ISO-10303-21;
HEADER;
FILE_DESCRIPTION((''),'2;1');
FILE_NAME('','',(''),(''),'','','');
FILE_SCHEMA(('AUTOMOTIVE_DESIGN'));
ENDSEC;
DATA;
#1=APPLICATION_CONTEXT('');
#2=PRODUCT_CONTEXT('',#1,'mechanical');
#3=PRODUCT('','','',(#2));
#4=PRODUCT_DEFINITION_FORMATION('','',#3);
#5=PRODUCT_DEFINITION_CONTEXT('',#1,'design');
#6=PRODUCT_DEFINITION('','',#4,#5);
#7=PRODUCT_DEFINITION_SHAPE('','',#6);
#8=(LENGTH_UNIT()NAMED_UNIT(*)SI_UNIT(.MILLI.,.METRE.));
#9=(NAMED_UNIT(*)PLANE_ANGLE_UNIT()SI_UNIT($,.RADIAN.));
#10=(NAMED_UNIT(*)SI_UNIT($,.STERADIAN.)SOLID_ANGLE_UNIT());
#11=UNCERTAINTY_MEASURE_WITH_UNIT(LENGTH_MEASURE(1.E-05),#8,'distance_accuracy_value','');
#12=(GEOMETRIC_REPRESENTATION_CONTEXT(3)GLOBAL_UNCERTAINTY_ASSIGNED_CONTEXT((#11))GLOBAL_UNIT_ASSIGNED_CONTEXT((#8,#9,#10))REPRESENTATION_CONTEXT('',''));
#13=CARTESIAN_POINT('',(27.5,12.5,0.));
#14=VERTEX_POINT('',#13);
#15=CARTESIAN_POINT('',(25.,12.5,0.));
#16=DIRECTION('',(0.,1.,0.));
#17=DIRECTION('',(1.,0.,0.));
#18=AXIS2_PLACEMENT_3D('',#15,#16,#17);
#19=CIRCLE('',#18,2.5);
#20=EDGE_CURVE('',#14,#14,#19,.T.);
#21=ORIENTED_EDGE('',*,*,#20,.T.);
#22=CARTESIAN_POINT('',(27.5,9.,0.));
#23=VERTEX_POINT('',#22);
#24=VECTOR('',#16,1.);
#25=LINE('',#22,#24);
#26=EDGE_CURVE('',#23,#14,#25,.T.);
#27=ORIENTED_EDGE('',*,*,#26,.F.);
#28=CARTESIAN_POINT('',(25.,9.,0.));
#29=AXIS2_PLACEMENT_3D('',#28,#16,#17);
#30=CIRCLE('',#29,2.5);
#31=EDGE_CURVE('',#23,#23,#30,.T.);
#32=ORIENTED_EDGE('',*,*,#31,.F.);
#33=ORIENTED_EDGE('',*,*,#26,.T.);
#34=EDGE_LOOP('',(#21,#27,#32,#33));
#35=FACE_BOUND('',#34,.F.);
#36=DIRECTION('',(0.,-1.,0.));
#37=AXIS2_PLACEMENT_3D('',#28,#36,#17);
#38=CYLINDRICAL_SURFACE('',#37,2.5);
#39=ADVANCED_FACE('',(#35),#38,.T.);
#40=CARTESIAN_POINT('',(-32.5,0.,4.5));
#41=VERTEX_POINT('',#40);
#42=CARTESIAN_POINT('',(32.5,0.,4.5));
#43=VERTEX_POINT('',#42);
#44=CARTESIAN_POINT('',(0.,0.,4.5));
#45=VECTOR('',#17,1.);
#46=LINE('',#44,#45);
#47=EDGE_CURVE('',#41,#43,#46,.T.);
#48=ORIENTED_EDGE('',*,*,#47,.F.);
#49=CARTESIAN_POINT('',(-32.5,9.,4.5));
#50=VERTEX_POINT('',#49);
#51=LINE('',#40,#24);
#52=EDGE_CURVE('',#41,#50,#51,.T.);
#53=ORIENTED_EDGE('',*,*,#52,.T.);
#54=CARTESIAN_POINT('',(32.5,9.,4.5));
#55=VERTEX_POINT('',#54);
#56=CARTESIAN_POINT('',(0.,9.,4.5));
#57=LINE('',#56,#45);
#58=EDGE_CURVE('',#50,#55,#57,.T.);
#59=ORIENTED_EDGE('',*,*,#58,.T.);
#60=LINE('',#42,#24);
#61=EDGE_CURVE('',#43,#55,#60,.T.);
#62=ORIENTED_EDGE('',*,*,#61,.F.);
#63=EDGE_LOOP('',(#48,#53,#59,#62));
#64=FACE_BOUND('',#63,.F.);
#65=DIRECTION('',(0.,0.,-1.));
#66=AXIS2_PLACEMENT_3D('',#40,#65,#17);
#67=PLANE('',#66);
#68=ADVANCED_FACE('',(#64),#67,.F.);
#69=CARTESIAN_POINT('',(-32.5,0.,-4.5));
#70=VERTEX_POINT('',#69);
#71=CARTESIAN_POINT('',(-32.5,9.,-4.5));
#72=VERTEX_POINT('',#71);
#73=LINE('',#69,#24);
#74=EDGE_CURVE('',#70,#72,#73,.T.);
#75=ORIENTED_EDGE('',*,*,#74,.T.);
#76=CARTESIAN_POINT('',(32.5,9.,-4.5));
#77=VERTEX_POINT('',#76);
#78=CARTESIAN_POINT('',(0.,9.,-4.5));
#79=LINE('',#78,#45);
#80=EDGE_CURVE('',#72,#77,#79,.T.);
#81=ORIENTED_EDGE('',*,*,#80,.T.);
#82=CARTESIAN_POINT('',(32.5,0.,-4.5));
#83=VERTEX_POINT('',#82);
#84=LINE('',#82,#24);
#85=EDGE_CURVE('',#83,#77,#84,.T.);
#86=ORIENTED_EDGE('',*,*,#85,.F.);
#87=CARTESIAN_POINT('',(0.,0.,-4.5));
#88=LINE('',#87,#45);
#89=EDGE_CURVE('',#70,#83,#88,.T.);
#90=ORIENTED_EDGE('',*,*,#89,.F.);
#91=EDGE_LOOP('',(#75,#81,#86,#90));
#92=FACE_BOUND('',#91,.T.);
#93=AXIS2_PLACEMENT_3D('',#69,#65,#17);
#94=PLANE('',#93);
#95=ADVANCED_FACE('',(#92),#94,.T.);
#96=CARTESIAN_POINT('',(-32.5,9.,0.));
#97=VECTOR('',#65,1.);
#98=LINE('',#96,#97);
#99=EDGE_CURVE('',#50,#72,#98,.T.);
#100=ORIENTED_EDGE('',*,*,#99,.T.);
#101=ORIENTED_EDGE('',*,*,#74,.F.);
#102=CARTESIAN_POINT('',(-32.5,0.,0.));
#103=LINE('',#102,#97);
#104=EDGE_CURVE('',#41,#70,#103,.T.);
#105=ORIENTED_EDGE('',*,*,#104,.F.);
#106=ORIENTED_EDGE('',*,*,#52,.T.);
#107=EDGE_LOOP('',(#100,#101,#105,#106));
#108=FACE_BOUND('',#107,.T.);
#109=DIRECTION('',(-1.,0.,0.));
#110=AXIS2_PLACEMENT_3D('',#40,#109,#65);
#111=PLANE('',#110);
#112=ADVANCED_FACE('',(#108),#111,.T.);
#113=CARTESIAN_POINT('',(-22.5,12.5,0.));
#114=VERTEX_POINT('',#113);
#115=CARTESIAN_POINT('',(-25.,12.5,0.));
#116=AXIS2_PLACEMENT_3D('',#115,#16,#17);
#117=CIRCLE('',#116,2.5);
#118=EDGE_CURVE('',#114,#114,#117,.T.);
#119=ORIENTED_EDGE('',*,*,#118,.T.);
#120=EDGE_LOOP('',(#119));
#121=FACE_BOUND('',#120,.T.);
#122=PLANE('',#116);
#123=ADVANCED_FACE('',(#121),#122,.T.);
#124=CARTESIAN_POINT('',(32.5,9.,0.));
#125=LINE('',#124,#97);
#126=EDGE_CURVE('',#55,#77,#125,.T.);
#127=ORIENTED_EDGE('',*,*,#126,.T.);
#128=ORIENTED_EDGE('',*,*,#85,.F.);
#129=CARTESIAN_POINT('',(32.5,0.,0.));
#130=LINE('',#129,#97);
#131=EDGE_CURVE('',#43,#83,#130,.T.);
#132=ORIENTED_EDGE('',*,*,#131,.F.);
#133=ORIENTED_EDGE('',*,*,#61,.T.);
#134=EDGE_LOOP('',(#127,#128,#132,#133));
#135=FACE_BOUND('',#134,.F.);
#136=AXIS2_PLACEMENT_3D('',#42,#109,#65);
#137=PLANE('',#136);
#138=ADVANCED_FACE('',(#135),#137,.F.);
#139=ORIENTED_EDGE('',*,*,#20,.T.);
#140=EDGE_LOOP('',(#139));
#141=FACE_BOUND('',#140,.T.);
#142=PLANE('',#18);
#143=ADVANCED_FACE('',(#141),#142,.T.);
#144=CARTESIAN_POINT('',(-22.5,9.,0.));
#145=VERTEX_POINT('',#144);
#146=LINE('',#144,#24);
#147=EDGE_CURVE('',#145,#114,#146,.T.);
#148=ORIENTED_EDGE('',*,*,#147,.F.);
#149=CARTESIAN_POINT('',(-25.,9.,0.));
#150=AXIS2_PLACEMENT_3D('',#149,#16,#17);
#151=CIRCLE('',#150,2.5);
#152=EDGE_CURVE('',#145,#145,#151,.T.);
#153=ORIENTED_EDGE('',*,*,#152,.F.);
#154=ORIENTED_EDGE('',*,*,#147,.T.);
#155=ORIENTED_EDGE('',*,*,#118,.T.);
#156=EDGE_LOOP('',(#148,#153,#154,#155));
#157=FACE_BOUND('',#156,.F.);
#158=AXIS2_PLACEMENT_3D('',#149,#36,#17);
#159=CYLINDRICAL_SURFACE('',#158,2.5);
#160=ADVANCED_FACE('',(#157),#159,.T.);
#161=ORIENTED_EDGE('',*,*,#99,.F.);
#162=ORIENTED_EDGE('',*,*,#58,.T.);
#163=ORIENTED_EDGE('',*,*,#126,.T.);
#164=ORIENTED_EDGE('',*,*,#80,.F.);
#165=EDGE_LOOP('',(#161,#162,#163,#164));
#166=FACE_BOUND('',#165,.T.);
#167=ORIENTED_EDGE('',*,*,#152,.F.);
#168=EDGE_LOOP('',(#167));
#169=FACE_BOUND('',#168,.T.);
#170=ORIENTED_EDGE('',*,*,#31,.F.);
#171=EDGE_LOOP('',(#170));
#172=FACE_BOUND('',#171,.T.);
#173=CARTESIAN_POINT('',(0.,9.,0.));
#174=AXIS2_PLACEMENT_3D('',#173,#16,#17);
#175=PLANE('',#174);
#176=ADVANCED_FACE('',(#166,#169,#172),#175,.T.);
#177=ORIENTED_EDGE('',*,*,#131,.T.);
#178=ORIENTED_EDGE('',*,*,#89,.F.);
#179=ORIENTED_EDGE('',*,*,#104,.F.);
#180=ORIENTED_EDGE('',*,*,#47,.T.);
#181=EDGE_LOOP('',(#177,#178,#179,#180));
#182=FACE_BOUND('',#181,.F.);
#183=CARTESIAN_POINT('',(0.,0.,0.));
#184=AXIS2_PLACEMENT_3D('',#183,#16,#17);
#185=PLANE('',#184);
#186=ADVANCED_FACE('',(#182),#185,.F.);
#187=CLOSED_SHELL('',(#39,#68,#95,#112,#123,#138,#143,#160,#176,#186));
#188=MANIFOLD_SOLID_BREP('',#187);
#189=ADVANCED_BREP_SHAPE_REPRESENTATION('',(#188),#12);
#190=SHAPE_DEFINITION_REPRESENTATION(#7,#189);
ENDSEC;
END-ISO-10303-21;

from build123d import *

# Parameters (mm, degrees)
SKETCH1_W           = 65
SKETCH1_H           = 9
BOSS_EXTRUDE1_DEPTH = 9
SKETCH2_R           = 2.5
BOSS_EXTRUDE2_DEPTH = 3.5


with BuildPart() as part:
    # Sketch1 → Boss-Extrude1 (new body)
    with BuildSketch(Plane(origin=(0, 0, 0), x_dir=(1, 0, 0), z_dir=(0, 1, 0))):
        Rectangle(SKETCH1_W, SKETCH1_H)
    extrude(amount=BOSS_EXTRUDE1_DEPTH)

    # Sketch2 → Boss-Extrude2 (add)
    with BuildSketch(Plane(origin=(0, 9, 0), x_dir=(1, 0, 0), z_dir=(0, 1, 0))):
        with Locations((-25, 0)):
            Circle(SKETCH2_R)
        with Locations((25, 0)):
            Circle(SKETCH2_R)
    extrude(amount=BOSS_EXTRUDE2_DEPTH)


solid = part.part
